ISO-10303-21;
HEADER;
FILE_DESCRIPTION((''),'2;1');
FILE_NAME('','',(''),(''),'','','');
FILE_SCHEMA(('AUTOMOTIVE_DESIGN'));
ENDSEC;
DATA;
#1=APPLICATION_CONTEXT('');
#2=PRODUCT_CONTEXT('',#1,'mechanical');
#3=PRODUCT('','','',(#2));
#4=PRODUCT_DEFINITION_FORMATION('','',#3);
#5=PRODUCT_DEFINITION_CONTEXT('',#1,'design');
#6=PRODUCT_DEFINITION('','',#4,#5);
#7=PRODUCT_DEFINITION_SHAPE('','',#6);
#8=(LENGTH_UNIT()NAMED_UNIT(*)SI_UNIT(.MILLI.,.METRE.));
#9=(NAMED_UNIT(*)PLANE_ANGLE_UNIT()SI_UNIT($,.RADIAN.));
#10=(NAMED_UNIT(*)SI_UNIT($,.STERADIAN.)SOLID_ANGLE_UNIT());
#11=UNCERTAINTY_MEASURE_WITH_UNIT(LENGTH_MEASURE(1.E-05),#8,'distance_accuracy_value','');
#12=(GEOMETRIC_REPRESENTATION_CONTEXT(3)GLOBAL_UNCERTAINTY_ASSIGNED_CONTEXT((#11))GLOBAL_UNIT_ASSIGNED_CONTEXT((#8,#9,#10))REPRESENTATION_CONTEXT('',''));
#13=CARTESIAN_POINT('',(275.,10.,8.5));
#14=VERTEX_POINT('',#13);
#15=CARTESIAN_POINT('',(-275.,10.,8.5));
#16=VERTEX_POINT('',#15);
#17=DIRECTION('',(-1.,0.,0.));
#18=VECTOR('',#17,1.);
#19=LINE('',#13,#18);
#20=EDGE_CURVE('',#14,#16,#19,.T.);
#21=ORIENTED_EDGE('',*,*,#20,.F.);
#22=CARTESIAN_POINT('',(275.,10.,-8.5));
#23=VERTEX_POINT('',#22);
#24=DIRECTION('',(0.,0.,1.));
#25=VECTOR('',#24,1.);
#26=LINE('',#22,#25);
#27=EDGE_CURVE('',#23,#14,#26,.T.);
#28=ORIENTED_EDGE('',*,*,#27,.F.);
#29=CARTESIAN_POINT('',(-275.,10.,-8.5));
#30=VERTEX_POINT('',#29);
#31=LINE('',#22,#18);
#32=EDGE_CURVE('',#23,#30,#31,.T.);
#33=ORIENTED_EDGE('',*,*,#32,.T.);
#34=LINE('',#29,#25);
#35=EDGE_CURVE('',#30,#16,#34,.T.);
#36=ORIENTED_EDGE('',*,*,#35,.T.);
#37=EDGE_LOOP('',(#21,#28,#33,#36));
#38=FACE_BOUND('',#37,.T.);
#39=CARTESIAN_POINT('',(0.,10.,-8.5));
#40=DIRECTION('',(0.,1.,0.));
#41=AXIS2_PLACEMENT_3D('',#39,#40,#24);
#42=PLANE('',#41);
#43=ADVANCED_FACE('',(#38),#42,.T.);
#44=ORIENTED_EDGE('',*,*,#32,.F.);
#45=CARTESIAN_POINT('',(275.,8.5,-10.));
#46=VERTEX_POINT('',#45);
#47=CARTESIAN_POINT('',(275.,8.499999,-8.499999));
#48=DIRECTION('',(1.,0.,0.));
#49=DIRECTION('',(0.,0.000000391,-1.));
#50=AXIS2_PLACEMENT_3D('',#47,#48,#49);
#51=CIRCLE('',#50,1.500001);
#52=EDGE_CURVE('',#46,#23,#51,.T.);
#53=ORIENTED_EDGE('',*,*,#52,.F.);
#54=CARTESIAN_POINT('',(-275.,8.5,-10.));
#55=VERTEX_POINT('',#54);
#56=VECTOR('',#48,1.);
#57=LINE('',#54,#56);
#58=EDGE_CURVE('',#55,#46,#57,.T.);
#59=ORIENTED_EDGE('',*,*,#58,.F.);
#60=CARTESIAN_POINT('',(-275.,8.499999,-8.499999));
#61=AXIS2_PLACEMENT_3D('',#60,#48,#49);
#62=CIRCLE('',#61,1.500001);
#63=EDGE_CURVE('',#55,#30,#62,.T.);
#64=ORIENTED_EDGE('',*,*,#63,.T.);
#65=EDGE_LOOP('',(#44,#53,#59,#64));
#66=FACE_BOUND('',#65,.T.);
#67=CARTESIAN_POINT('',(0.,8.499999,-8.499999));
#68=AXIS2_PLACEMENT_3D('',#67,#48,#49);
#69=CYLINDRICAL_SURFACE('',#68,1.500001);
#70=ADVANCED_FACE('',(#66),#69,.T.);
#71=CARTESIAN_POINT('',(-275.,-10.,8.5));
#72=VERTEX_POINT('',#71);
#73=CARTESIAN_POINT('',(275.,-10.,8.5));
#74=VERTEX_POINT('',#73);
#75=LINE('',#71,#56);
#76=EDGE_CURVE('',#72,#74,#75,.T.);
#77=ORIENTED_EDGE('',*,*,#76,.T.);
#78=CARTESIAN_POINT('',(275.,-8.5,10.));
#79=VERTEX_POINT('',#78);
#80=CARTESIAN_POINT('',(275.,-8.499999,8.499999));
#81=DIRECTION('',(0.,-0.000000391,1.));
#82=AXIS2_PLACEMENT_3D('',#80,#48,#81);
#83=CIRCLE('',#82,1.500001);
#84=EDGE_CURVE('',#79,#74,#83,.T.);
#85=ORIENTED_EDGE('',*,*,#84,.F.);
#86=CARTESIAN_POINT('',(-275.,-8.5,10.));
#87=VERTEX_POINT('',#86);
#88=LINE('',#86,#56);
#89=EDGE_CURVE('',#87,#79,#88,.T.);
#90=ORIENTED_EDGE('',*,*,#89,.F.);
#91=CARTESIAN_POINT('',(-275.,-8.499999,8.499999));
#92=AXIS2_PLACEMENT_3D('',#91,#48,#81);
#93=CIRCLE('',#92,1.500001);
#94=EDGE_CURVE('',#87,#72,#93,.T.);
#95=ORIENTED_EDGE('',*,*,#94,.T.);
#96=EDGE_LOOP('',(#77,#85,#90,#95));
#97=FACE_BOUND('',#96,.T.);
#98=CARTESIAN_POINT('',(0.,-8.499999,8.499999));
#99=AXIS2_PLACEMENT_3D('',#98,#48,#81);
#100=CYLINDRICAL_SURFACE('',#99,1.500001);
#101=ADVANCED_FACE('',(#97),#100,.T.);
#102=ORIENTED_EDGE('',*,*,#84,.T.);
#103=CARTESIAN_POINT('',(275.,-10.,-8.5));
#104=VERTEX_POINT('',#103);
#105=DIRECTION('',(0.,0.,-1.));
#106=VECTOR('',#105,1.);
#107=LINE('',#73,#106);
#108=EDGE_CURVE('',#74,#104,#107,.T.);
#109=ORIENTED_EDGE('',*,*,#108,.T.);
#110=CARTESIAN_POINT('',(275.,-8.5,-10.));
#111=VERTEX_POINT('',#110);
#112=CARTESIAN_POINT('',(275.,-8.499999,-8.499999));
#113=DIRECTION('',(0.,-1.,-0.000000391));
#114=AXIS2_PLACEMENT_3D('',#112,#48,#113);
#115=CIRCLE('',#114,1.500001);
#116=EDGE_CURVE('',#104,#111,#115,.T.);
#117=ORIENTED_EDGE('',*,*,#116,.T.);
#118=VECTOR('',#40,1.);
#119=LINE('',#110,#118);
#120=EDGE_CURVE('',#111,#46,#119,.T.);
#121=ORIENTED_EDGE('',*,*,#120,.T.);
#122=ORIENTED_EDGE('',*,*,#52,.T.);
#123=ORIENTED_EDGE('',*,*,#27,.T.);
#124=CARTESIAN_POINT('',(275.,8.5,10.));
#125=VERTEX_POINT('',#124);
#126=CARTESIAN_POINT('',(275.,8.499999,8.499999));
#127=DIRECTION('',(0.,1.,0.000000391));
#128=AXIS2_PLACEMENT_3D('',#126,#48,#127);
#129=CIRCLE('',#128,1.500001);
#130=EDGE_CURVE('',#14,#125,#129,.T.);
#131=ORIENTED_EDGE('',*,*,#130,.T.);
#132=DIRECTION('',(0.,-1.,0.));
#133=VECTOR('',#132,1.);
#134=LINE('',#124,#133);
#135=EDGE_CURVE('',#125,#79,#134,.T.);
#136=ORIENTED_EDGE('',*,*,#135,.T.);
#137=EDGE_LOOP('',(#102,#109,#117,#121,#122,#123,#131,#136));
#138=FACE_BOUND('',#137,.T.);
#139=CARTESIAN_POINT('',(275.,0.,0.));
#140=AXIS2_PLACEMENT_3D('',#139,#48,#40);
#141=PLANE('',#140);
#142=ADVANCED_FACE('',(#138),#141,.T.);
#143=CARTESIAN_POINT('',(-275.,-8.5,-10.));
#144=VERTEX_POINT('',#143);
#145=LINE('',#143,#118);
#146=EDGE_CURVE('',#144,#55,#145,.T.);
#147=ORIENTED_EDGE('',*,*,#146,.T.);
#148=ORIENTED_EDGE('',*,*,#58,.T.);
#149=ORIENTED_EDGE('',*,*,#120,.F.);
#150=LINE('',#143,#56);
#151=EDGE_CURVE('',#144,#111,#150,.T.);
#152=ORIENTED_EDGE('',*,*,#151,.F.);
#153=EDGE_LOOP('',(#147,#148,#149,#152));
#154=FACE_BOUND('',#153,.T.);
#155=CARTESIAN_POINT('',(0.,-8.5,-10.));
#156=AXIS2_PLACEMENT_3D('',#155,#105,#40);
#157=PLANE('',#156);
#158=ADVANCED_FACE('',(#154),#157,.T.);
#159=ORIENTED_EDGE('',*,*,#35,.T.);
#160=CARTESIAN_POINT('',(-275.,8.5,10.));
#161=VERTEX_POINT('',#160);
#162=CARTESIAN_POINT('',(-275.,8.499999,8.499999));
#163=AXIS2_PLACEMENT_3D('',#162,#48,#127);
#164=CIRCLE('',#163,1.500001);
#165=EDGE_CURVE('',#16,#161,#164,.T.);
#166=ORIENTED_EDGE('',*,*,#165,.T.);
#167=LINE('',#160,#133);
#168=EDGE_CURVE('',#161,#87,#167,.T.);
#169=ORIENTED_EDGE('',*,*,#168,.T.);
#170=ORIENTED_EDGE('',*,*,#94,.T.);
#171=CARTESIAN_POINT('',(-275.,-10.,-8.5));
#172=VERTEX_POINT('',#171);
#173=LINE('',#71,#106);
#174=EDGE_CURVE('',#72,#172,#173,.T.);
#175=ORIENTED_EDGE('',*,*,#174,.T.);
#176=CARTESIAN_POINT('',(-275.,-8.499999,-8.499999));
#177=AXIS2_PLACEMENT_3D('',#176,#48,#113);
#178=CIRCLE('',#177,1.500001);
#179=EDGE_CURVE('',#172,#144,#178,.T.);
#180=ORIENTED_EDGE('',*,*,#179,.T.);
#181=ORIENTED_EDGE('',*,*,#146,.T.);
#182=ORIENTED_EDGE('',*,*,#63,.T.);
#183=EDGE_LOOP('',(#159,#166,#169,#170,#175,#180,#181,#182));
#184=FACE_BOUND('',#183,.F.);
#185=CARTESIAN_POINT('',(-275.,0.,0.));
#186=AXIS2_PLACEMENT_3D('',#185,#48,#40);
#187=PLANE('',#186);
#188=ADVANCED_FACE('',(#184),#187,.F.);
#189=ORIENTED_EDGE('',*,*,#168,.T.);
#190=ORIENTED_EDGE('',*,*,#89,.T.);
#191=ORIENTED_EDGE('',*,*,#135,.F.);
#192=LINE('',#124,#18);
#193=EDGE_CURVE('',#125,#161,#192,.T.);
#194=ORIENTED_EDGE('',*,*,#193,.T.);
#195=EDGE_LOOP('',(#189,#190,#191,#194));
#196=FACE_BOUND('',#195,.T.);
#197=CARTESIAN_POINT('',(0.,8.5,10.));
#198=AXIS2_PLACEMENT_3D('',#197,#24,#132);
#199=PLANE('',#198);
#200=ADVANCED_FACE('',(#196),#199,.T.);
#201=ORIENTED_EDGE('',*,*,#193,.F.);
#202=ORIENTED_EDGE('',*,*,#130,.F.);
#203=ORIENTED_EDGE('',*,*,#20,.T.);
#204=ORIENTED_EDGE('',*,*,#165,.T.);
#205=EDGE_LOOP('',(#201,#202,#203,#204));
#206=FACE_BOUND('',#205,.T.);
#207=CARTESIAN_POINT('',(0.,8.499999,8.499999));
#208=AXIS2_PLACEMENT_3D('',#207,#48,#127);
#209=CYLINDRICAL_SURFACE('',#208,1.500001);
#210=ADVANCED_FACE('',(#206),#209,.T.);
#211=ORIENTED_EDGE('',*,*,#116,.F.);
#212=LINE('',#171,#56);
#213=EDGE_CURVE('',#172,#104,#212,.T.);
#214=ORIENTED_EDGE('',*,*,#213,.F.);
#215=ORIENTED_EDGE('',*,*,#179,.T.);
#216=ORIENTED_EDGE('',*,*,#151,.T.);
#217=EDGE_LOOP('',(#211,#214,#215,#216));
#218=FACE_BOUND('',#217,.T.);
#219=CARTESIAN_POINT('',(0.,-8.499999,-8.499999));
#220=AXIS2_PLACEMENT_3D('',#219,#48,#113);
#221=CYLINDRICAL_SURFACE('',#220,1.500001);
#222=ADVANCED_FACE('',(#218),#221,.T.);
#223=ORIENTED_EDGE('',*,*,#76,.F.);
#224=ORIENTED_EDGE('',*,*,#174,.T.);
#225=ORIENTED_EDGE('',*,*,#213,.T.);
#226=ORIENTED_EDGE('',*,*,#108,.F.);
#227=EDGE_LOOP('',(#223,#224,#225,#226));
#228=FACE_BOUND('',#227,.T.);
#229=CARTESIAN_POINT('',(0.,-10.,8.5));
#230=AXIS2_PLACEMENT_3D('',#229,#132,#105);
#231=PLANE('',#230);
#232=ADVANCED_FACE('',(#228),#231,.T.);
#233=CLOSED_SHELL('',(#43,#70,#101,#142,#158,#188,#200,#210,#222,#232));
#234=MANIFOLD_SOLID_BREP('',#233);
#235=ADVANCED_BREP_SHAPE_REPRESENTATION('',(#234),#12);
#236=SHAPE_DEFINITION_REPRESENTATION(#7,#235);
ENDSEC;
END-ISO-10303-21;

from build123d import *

# Parameters (mm, degrees)
F1_DEPTH = 275


with BuildPart() as f1:
    # F0 (on Right) → F1 (new body, symmetric)
    with BuildSketch(Plane.YZ):
        with BuildLine():
            Line((8.5, 10), (-8.5, 10))
            ThreePointArc((-8.5, 10), (-9.56066, 9.56066), (-10, 8.5))
            Line((-10, 8.5), (-10, -8.5))
            ThreePointArc((-10, -8.5), (-9.56066, -9.56066), (-8.5, -10))
            Line((-8.5, -10), (8.5, -10))
            ThreePointArc((8.5, -10), (9.56066, -9.56066), (10, -8.5))
            Line((10, -8.5), (10, 8.5))
            ThreePointArc((10, 8.5), (9.56066, 9.56066), (8.5, 10))
        make_face()
    extrude(amount=F1_DEPTH, both=True)


solid = f1.part
